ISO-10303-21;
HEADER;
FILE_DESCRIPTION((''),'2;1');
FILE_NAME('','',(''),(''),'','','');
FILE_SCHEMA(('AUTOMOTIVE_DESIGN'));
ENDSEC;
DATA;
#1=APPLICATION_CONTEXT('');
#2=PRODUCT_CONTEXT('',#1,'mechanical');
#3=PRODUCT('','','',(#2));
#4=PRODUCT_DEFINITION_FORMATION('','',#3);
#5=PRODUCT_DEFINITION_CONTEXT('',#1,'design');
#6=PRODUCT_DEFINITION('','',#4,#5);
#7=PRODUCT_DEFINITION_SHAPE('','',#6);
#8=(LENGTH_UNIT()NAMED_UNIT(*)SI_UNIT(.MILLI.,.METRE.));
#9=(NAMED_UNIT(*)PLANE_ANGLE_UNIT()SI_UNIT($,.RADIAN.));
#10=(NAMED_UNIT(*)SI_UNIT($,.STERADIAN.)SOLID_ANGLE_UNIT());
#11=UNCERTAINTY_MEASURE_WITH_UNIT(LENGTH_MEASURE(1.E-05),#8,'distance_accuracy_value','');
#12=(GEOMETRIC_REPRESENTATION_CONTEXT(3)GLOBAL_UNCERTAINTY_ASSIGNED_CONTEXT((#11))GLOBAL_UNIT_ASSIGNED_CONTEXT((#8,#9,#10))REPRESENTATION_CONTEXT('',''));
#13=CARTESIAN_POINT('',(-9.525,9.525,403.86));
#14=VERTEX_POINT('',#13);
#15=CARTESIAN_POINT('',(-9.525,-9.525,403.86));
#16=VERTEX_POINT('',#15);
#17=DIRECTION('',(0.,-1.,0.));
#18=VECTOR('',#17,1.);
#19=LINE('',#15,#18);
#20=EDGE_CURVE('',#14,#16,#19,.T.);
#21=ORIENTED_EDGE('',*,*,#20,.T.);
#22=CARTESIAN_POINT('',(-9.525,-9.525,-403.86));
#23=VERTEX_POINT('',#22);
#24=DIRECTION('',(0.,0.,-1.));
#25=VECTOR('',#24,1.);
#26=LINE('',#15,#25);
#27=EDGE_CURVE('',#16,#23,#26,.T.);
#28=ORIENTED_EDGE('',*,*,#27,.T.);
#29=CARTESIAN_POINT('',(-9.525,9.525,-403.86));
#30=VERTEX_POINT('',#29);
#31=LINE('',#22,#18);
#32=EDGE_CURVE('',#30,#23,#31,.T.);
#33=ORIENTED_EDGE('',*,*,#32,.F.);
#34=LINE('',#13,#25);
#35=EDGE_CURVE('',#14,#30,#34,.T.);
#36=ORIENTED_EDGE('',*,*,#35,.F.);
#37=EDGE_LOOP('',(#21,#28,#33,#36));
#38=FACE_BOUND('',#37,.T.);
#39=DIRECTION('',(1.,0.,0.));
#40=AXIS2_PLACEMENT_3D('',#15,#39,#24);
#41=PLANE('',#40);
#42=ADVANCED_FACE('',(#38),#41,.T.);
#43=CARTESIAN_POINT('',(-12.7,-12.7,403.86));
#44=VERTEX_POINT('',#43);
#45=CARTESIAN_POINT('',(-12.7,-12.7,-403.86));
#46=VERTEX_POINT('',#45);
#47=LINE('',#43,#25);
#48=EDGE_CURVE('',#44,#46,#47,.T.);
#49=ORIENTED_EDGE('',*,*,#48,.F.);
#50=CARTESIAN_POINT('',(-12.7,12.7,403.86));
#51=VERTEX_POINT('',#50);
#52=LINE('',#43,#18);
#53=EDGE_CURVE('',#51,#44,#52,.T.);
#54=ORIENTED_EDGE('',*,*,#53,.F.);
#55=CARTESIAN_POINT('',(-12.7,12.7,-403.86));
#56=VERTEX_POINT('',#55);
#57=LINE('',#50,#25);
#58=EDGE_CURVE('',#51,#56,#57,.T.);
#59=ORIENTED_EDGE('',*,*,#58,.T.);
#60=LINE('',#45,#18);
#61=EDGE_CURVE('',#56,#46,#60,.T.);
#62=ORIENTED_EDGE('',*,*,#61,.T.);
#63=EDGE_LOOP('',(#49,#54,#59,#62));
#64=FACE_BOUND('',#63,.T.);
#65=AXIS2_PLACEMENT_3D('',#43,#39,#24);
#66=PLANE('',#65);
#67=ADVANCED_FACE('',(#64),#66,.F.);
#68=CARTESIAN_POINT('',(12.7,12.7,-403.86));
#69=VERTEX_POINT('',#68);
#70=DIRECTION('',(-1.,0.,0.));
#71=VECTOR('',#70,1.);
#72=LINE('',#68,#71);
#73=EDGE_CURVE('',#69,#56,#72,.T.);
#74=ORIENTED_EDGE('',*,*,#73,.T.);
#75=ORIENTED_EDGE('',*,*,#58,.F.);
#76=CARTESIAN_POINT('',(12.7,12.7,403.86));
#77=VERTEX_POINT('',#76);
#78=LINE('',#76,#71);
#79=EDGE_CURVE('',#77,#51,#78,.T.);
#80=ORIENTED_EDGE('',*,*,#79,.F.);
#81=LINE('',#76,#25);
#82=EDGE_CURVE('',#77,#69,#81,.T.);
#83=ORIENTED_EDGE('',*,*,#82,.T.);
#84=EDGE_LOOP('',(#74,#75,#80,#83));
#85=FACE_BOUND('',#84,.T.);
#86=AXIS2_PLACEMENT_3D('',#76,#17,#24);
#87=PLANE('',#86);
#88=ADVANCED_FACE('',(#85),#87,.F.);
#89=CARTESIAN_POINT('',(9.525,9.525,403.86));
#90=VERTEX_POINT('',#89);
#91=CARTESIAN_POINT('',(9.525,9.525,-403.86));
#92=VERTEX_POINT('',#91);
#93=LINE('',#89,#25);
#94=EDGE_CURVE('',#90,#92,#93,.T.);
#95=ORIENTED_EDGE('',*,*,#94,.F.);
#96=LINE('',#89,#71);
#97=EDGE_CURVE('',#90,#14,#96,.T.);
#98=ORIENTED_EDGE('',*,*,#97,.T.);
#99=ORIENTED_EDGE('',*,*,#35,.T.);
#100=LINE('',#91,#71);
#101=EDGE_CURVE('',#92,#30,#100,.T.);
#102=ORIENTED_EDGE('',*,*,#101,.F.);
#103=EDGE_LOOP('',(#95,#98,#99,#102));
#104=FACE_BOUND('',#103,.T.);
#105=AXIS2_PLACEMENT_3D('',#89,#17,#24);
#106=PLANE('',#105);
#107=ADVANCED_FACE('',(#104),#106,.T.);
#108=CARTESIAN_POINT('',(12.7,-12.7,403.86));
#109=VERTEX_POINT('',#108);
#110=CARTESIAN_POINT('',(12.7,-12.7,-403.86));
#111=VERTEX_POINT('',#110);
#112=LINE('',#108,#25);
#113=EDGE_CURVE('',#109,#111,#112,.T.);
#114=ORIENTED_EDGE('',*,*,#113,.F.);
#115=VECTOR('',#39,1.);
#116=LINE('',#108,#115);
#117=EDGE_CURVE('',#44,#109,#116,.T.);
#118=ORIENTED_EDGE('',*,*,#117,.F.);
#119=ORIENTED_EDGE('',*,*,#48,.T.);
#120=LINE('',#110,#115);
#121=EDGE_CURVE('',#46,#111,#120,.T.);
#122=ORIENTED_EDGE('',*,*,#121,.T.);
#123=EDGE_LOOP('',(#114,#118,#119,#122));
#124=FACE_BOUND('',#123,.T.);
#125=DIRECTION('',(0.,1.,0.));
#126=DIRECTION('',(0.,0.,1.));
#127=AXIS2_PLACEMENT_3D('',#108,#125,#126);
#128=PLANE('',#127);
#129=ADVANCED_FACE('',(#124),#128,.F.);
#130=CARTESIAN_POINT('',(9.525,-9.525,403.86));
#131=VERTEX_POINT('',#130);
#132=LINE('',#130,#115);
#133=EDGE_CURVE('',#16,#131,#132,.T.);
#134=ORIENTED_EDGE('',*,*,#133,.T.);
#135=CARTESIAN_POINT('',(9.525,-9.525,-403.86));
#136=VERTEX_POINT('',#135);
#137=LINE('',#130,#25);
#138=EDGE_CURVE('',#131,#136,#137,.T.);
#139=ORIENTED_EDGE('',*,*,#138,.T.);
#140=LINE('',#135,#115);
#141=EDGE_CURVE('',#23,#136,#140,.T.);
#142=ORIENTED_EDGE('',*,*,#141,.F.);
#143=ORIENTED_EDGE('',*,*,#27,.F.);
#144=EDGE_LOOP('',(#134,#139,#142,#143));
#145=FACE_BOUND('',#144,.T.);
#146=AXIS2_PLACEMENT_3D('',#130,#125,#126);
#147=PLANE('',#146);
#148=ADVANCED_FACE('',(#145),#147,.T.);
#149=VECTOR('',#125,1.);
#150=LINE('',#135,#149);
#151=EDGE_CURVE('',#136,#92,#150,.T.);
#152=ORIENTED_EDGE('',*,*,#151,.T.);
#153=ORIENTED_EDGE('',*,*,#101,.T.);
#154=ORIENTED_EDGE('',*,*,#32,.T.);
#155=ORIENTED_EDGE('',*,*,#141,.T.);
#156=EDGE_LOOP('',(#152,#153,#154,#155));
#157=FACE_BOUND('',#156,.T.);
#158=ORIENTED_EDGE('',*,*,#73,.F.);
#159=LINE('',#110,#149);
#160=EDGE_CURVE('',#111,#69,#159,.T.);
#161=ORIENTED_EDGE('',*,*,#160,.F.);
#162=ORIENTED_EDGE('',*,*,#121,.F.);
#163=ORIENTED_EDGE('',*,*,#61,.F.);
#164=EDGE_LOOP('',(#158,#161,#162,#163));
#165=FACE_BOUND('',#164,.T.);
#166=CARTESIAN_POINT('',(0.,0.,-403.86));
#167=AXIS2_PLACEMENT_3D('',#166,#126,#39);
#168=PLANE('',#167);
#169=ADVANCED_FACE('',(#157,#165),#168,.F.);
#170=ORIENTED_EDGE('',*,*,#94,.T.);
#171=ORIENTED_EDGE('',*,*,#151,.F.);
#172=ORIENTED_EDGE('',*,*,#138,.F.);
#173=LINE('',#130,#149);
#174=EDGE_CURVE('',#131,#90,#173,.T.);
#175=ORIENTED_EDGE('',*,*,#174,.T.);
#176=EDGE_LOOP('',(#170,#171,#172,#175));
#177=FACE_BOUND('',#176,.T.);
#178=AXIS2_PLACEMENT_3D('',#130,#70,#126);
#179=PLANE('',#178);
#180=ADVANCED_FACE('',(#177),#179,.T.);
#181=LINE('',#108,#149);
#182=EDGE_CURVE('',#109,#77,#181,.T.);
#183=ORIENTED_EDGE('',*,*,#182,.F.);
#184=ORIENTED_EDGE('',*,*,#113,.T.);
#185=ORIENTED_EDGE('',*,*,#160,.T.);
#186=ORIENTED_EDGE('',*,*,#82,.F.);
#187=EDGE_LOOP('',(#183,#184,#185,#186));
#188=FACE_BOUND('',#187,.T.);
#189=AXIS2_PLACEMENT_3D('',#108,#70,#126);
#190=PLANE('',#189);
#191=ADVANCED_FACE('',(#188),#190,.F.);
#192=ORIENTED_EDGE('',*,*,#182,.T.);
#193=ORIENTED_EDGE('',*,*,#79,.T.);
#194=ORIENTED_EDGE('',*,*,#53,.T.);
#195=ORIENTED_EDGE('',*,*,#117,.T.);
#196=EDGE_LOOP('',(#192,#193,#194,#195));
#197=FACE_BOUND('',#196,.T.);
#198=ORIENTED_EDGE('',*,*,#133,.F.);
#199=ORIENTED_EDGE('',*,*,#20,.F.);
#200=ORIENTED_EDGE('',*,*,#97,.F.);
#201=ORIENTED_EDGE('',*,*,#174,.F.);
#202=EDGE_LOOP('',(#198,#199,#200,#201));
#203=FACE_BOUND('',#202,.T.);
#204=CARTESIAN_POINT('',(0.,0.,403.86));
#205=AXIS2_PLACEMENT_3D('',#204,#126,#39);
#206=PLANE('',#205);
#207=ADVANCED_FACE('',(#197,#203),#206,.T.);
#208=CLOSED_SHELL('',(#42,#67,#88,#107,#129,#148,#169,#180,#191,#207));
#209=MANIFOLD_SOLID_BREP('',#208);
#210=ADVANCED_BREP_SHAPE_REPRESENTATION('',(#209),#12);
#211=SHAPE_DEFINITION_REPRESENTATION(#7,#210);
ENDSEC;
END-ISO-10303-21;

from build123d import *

# Parameters (mm, degrees)
BOSS_EXTRUDE1_DEPTH      = 403.86
BOSS_EXTRUDE1_DEPTH_BACK = 403.86
SKETCH3_W                = 25.4
SKETCH3_H                = 25.4
SKETCH3_W_2              = 19.05
SKETCH3_H_2              = 19.05


with BuildPart() as part:
    # Sketch3 → Boss-Extrude1 (new, two sides: drawn at the far end of the back side and taken through both)
    with BuildSketch(Plane.XY.offset(-BOSS_EXTRUDE1_DEPTH_BACK)):
        Rectangle(SKETCH3_W, SKETCH3_H)
        Rectangle(SKETCH3_W_2, SKETCH3_H_2, mode=Mode.SUBTRACT)
    extrude(amount=BOSS_EXTRUDE1_DEPTH + BOSS_EXTRUDE1_DEPTH_BACK)


solid = part.part
